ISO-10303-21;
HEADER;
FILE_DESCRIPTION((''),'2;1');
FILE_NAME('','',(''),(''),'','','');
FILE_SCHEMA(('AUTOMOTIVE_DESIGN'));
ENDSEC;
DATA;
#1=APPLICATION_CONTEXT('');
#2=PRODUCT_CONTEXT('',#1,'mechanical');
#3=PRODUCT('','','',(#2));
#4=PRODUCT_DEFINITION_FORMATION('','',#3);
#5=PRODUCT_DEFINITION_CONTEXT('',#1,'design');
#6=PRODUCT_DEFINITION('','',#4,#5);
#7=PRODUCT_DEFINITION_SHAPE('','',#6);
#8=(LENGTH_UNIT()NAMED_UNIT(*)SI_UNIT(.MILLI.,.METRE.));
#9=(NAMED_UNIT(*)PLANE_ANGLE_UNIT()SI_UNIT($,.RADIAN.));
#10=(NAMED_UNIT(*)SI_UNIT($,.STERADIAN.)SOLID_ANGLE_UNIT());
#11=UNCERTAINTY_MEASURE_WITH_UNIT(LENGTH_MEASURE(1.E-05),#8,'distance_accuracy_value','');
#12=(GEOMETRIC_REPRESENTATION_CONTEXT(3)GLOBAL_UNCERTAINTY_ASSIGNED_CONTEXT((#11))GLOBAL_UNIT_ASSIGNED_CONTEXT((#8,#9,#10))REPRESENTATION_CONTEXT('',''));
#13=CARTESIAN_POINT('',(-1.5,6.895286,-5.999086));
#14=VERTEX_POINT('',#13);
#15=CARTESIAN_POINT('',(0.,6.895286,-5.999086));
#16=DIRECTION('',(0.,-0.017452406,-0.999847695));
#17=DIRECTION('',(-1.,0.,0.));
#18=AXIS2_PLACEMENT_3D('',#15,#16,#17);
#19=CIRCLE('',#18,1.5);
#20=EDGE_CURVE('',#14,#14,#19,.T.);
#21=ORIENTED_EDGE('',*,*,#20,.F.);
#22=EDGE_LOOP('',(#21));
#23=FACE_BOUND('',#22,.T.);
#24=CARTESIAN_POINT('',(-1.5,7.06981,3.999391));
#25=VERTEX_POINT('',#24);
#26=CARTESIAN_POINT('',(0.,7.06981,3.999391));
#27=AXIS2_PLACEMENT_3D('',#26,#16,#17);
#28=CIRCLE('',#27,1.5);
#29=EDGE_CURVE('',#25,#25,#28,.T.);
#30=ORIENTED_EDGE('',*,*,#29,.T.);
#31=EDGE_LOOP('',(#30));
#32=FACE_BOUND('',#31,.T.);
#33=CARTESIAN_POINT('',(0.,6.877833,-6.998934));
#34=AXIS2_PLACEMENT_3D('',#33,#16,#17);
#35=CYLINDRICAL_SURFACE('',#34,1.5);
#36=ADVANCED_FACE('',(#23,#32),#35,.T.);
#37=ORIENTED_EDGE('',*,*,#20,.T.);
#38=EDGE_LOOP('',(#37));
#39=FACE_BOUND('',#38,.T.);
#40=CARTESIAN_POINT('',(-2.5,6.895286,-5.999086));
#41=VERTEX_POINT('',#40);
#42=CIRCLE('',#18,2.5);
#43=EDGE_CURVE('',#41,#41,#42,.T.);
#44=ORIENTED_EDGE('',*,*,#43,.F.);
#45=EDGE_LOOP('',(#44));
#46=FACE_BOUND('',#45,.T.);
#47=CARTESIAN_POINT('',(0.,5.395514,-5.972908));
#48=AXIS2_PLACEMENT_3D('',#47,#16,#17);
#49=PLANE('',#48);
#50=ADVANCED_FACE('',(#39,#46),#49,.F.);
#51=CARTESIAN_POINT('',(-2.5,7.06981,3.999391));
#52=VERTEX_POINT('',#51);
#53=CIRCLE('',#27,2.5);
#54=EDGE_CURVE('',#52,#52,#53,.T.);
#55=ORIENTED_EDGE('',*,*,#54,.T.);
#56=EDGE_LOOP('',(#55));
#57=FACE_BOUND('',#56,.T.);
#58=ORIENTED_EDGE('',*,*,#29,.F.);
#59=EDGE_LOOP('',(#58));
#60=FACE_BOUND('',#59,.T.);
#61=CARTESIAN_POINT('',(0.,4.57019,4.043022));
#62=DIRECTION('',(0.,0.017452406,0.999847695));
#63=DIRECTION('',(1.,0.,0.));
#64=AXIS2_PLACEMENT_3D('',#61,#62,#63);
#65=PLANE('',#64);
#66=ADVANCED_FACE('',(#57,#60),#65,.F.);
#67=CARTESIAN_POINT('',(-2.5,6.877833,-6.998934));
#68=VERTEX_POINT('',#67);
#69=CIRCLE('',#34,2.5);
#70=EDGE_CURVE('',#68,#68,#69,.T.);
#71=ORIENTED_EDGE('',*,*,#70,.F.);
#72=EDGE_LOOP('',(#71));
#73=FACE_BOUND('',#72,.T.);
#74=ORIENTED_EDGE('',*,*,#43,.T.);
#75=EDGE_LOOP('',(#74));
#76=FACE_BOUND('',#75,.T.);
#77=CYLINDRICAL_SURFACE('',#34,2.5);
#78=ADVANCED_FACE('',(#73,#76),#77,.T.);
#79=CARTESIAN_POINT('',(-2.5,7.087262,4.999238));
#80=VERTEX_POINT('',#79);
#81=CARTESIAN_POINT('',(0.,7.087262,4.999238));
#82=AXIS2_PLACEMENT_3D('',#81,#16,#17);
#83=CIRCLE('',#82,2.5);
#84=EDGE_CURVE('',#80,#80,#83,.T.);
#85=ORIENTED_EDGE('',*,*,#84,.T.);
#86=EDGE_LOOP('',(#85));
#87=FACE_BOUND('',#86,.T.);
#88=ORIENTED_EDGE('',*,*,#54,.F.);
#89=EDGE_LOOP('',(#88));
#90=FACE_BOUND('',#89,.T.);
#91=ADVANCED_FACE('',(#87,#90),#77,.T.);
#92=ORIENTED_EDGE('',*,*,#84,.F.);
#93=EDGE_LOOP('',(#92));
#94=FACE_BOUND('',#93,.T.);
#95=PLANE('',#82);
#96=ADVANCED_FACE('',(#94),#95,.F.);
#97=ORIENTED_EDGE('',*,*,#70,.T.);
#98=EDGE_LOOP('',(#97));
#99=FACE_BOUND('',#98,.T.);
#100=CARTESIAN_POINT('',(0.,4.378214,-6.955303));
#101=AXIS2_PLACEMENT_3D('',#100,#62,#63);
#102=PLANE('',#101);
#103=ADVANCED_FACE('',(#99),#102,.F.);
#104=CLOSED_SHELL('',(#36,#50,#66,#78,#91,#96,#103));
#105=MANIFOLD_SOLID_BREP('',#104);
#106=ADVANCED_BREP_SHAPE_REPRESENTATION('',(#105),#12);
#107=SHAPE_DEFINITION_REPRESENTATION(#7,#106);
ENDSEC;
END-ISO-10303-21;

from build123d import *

# Parameters (mm, degrees)
BODY_MOVE_COPY1_ANGLE = 119.424338974


with BuildPart() as part:
    # Sketch1 → Revolve1 (revolve)
    with BuildSketch(Plane.XY, mode=Mode.PRIVATE) as revolve1_sk:
        Polygon((0, 0), (0, 12), (-2.5, 12), (-2.5, 11), (-1.5, 11), (-1.5, 1), (-2.5, 1), (-2.5, 0), align=None)
    revolve(revolve1_sk.sketch.rotate(Axis((0, 0, 0), (0, 1, 0)), 270), axis=Axis((0, 0, 0), (0, 1, 0)))


with BuildPart() as part_1:
    # Body-Move/Copy1: moved
    add(part.part.moved(Location((0, 0, 0))).rotate(Axis((-2.346629399, 4.612052575, -2.346629399), (0.5739619558891293, 0.5840679295973761, 0.5739619558888548)), BODY_MOVE_COPY1_ANGLE))


solid = part_1.part
